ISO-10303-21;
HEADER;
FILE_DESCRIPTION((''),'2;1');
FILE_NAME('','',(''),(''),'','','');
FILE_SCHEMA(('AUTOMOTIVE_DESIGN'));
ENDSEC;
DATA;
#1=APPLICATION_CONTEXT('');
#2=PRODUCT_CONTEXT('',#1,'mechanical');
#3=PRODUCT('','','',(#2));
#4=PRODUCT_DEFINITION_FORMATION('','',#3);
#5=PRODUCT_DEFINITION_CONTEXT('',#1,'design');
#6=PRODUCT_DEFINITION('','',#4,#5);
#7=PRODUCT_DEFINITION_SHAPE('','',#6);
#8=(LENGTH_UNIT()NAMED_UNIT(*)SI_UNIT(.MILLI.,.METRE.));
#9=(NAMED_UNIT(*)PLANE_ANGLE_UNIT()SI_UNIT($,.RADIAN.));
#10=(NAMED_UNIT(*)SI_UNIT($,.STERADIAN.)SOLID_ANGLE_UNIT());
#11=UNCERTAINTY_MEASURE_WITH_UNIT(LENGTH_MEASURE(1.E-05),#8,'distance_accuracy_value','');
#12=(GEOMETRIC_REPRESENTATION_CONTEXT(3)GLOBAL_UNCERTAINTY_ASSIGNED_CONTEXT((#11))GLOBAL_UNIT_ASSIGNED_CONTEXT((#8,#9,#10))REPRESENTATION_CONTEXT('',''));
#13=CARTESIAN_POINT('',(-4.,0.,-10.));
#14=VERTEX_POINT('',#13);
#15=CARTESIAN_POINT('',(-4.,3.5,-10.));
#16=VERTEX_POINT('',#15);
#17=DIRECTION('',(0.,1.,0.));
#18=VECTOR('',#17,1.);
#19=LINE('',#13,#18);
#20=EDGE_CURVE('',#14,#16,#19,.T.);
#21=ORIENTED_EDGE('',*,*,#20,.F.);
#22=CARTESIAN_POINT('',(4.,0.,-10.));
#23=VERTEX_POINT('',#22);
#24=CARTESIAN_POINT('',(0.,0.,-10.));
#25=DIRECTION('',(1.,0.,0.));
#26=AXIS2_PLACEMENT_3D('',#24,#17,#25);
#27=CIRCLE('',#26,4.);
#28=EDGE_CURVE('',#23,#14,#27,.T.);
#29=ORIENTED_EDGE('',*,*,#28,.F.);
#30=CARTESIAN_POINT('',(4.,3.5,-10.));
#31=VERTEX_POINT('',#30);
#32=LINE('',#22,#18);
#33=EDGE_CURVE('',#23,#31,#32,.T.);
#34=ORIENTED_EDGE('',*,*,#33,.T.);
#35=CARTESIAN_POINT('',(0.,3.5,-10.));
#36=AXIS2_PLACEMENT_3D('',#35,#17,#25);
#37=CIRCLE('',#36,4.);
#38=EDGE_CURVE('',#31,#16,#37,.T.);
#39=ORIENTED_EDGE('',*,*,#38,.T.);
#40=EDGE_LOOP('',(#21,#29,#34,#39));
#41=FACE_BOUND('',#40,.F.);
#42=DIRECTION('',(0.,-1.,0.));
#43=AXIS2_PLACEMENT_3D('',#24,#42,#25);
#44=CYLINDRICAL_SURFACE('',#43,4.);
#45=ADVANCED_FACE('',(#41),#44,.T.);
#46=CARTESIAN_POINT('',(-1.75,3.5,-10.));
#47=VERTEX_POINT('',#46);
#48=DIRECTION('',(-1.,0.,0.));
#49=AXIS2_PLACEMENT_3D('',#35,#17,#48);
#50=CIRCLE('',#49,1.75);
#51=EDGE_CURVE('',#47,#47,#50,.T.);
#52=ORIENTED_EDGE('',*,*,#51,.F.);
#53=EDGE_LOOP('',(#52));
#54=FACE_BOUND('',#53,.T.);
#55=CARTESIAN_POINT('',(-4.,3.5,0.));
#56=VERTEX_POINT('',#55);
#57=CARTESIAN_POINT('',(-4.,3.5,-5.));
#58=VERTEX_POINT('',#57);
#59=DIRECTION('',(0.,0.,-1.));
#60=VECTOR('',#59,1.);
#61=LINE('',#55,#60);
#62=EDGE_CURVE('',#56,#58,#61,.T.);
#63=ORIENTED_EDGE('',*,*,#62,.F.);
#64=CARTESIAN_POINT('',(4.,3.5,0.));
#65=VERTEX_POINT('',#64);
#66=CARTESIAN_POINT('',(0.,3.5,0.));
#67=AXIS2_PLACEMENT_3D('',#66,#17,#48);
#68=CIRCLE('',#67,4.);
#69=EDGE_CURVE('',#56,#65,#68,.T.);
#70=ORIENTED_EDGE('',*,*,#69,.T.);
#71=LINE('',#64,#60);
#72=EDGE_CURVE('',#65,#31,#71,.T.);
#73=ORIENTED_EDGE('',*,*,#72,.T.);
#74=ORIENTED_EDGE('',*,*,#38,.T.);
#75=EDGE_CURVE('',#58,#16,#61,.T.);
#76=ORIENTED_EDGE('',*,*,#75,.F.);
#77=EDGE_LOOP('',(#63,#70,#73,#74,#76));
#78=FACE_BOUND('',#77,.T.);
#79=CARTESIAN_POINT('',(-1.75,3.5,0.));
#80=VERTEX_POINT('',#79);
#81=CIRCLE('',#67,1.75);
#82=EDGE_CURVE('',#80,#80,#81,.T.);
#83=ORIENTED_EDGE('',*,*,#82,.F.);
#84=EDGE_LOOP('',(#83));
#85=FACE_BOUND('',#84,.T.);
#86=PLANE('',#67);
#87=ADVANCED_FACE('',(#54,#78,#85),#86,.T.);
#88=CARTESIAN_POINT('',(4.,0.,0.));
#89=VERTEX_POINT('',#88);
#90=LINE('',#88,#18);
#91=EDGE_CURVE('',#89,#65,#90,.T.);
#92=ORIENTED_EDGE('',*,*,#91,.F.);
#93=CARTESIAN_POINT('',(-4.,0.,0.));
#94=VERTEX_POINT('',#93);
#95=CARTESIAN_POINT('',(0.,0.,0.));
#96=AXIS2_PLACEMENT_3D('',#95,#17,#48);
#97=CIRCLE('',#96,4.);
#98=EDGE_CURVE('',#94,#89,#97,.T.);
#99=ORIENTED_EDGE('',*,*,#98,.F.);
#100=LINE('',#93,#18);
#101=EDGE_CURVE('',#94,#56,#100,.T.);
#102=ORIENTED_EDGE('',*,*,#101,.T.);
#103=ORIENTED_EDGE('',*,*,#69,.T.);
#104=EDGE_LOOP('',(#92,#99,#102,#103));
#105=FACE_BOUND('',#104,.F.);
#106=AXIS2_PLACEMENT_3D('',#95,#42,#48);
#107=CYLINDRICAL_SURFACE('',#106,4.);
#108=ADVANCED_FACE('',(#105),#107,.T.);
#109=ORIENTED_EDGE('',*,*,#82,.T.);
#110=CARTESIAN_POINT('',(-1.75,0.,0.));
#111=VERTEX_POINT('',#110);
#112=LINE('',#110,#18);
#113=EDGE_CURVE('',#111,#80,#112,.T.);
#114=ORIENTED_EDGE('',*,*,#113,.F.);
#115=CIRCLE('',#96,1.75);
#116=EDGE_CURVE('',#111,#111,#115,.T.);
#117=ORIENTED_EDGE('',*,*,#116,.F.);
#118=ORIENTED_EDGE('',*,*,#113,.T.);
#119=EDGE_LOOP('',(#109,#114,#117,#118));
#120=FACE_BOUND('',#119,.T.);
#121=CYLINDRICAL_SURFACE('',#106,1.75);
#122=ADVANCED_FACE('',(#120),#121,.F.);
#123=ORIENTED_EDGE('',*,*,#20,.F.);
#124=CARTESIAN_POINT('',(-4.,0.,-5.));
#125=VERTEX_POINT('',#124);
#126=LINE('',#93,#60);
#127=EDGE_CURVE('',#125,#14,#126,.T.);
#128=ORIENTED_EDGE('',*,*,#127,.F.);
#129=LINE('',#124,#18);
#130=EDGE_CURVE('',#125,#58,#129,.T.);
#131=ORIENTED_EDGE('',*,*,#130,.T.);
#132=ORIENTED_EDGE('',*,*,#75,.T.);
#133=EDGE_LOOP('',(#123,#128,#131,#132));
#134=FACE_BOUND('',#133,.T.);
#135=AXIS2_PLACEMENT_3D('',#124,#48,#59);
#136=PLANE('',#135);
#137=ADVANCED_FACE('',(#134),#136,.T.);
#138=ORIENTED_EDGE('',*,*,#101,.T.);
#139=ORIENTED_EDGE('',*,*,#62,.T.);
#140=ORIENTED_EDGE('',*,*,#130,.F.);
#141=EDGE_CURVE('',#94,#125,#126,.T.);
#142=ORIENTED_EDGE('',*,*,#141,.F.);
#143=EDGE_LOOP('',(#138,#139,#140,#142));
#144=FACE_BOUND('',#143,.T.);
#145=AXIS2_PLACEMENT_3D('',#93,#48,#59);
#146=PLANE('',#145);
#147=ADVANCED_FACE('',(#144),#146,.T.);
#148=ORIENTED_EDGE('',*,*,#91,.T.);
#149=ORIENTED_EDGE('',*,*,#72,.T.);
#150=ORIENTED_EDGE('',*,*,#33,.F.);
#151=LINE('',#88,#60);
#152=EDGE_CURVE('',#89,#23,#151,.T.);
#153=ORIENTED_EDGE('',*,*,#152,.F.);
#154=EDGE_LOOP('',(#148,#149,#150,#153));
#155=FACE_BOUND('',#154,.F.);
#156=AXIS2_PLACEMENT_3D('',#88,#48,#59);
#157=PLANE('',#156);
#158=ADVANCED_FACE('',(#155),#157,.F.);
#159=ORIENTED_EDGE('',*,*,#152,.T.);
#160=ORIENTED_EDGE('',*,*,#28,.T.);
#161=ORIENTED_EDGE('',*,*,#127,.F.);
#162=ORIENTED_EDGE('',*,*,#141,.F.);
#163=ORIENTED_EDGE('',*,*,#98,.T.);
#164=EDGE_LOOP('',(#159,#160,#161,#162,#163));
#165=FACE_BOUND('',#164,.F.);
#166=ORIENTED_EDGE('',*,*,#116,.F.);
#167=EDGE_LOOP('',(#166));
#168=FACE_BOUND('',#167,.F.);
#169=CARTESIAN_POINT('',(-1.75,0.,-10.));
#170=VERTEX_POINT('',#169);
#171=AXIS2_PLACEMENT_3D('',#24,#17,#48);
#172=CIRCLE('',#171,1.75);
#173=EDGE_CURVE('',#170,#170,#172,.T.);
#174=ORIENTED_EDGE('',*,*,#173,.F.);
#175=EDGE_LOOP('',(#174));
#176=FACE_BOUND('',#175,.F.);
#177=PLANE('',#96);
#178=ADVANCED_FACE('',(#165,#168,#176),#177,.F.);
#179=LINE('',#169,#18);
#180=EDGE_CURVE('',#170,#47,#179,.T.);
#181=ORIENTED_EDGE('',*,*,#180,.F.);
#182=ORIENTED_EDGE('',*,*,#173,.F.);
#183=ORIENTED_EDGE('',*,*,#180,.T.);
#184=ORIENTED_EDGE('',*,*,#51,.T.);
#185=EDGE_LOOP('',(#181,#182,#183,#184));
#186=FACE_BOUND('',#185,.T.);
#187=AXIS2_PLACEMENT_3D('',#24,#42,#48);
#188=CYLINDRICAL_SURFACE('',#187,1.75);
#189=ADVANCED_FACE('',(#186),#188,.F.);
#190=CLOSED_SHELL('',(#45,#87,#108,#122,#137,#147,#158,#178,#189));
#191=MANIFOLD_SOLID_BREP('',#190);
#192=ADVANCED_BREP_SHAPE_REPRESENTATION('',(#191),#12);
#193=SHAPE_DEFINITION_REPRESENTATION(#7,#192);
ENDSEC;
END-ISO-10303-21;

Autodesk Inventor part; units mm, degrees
ref_plane "YZ Plane" through (0, 0, 0) normal (1, 0, 0) x (0, 1, 0)
ref_plane "XZ Plane" through (0, 0, 0) normal (0, 1, 0) x (-1, 0, 0)
ref_plane "XY Plane" through (0, 0, 0) normal (0, 0, 1) x (1, 0, 0)
sketch "Boceto1" plane through (0, 0, 0) normal (0, 1, 0) x (-1, 0, 0)
  circle A0 centre (0, 0) radius 1.75
  arc A1 (4, 0) -> (-4, 0) centre (0, 0) ccw
  line L0 (4, 0) -> (4, -10)
  line L1 (-4, 0) -> (-4, -10)
  line L2 (4, -5) -> (0, -5)
  circle A2 centre (0, -10) radius 1.75
  arc A3 (-4, -10) -> (4, -10) centre (0, -10) ccw
  dimension "d0" = 3.5
  dimension "d1" = 8
  dimension "d2" = 10
extrude "Extrusión1" add sketch "Boceto1" along normal blind 3.5
properties part number "Direccion2,pero3.0"
